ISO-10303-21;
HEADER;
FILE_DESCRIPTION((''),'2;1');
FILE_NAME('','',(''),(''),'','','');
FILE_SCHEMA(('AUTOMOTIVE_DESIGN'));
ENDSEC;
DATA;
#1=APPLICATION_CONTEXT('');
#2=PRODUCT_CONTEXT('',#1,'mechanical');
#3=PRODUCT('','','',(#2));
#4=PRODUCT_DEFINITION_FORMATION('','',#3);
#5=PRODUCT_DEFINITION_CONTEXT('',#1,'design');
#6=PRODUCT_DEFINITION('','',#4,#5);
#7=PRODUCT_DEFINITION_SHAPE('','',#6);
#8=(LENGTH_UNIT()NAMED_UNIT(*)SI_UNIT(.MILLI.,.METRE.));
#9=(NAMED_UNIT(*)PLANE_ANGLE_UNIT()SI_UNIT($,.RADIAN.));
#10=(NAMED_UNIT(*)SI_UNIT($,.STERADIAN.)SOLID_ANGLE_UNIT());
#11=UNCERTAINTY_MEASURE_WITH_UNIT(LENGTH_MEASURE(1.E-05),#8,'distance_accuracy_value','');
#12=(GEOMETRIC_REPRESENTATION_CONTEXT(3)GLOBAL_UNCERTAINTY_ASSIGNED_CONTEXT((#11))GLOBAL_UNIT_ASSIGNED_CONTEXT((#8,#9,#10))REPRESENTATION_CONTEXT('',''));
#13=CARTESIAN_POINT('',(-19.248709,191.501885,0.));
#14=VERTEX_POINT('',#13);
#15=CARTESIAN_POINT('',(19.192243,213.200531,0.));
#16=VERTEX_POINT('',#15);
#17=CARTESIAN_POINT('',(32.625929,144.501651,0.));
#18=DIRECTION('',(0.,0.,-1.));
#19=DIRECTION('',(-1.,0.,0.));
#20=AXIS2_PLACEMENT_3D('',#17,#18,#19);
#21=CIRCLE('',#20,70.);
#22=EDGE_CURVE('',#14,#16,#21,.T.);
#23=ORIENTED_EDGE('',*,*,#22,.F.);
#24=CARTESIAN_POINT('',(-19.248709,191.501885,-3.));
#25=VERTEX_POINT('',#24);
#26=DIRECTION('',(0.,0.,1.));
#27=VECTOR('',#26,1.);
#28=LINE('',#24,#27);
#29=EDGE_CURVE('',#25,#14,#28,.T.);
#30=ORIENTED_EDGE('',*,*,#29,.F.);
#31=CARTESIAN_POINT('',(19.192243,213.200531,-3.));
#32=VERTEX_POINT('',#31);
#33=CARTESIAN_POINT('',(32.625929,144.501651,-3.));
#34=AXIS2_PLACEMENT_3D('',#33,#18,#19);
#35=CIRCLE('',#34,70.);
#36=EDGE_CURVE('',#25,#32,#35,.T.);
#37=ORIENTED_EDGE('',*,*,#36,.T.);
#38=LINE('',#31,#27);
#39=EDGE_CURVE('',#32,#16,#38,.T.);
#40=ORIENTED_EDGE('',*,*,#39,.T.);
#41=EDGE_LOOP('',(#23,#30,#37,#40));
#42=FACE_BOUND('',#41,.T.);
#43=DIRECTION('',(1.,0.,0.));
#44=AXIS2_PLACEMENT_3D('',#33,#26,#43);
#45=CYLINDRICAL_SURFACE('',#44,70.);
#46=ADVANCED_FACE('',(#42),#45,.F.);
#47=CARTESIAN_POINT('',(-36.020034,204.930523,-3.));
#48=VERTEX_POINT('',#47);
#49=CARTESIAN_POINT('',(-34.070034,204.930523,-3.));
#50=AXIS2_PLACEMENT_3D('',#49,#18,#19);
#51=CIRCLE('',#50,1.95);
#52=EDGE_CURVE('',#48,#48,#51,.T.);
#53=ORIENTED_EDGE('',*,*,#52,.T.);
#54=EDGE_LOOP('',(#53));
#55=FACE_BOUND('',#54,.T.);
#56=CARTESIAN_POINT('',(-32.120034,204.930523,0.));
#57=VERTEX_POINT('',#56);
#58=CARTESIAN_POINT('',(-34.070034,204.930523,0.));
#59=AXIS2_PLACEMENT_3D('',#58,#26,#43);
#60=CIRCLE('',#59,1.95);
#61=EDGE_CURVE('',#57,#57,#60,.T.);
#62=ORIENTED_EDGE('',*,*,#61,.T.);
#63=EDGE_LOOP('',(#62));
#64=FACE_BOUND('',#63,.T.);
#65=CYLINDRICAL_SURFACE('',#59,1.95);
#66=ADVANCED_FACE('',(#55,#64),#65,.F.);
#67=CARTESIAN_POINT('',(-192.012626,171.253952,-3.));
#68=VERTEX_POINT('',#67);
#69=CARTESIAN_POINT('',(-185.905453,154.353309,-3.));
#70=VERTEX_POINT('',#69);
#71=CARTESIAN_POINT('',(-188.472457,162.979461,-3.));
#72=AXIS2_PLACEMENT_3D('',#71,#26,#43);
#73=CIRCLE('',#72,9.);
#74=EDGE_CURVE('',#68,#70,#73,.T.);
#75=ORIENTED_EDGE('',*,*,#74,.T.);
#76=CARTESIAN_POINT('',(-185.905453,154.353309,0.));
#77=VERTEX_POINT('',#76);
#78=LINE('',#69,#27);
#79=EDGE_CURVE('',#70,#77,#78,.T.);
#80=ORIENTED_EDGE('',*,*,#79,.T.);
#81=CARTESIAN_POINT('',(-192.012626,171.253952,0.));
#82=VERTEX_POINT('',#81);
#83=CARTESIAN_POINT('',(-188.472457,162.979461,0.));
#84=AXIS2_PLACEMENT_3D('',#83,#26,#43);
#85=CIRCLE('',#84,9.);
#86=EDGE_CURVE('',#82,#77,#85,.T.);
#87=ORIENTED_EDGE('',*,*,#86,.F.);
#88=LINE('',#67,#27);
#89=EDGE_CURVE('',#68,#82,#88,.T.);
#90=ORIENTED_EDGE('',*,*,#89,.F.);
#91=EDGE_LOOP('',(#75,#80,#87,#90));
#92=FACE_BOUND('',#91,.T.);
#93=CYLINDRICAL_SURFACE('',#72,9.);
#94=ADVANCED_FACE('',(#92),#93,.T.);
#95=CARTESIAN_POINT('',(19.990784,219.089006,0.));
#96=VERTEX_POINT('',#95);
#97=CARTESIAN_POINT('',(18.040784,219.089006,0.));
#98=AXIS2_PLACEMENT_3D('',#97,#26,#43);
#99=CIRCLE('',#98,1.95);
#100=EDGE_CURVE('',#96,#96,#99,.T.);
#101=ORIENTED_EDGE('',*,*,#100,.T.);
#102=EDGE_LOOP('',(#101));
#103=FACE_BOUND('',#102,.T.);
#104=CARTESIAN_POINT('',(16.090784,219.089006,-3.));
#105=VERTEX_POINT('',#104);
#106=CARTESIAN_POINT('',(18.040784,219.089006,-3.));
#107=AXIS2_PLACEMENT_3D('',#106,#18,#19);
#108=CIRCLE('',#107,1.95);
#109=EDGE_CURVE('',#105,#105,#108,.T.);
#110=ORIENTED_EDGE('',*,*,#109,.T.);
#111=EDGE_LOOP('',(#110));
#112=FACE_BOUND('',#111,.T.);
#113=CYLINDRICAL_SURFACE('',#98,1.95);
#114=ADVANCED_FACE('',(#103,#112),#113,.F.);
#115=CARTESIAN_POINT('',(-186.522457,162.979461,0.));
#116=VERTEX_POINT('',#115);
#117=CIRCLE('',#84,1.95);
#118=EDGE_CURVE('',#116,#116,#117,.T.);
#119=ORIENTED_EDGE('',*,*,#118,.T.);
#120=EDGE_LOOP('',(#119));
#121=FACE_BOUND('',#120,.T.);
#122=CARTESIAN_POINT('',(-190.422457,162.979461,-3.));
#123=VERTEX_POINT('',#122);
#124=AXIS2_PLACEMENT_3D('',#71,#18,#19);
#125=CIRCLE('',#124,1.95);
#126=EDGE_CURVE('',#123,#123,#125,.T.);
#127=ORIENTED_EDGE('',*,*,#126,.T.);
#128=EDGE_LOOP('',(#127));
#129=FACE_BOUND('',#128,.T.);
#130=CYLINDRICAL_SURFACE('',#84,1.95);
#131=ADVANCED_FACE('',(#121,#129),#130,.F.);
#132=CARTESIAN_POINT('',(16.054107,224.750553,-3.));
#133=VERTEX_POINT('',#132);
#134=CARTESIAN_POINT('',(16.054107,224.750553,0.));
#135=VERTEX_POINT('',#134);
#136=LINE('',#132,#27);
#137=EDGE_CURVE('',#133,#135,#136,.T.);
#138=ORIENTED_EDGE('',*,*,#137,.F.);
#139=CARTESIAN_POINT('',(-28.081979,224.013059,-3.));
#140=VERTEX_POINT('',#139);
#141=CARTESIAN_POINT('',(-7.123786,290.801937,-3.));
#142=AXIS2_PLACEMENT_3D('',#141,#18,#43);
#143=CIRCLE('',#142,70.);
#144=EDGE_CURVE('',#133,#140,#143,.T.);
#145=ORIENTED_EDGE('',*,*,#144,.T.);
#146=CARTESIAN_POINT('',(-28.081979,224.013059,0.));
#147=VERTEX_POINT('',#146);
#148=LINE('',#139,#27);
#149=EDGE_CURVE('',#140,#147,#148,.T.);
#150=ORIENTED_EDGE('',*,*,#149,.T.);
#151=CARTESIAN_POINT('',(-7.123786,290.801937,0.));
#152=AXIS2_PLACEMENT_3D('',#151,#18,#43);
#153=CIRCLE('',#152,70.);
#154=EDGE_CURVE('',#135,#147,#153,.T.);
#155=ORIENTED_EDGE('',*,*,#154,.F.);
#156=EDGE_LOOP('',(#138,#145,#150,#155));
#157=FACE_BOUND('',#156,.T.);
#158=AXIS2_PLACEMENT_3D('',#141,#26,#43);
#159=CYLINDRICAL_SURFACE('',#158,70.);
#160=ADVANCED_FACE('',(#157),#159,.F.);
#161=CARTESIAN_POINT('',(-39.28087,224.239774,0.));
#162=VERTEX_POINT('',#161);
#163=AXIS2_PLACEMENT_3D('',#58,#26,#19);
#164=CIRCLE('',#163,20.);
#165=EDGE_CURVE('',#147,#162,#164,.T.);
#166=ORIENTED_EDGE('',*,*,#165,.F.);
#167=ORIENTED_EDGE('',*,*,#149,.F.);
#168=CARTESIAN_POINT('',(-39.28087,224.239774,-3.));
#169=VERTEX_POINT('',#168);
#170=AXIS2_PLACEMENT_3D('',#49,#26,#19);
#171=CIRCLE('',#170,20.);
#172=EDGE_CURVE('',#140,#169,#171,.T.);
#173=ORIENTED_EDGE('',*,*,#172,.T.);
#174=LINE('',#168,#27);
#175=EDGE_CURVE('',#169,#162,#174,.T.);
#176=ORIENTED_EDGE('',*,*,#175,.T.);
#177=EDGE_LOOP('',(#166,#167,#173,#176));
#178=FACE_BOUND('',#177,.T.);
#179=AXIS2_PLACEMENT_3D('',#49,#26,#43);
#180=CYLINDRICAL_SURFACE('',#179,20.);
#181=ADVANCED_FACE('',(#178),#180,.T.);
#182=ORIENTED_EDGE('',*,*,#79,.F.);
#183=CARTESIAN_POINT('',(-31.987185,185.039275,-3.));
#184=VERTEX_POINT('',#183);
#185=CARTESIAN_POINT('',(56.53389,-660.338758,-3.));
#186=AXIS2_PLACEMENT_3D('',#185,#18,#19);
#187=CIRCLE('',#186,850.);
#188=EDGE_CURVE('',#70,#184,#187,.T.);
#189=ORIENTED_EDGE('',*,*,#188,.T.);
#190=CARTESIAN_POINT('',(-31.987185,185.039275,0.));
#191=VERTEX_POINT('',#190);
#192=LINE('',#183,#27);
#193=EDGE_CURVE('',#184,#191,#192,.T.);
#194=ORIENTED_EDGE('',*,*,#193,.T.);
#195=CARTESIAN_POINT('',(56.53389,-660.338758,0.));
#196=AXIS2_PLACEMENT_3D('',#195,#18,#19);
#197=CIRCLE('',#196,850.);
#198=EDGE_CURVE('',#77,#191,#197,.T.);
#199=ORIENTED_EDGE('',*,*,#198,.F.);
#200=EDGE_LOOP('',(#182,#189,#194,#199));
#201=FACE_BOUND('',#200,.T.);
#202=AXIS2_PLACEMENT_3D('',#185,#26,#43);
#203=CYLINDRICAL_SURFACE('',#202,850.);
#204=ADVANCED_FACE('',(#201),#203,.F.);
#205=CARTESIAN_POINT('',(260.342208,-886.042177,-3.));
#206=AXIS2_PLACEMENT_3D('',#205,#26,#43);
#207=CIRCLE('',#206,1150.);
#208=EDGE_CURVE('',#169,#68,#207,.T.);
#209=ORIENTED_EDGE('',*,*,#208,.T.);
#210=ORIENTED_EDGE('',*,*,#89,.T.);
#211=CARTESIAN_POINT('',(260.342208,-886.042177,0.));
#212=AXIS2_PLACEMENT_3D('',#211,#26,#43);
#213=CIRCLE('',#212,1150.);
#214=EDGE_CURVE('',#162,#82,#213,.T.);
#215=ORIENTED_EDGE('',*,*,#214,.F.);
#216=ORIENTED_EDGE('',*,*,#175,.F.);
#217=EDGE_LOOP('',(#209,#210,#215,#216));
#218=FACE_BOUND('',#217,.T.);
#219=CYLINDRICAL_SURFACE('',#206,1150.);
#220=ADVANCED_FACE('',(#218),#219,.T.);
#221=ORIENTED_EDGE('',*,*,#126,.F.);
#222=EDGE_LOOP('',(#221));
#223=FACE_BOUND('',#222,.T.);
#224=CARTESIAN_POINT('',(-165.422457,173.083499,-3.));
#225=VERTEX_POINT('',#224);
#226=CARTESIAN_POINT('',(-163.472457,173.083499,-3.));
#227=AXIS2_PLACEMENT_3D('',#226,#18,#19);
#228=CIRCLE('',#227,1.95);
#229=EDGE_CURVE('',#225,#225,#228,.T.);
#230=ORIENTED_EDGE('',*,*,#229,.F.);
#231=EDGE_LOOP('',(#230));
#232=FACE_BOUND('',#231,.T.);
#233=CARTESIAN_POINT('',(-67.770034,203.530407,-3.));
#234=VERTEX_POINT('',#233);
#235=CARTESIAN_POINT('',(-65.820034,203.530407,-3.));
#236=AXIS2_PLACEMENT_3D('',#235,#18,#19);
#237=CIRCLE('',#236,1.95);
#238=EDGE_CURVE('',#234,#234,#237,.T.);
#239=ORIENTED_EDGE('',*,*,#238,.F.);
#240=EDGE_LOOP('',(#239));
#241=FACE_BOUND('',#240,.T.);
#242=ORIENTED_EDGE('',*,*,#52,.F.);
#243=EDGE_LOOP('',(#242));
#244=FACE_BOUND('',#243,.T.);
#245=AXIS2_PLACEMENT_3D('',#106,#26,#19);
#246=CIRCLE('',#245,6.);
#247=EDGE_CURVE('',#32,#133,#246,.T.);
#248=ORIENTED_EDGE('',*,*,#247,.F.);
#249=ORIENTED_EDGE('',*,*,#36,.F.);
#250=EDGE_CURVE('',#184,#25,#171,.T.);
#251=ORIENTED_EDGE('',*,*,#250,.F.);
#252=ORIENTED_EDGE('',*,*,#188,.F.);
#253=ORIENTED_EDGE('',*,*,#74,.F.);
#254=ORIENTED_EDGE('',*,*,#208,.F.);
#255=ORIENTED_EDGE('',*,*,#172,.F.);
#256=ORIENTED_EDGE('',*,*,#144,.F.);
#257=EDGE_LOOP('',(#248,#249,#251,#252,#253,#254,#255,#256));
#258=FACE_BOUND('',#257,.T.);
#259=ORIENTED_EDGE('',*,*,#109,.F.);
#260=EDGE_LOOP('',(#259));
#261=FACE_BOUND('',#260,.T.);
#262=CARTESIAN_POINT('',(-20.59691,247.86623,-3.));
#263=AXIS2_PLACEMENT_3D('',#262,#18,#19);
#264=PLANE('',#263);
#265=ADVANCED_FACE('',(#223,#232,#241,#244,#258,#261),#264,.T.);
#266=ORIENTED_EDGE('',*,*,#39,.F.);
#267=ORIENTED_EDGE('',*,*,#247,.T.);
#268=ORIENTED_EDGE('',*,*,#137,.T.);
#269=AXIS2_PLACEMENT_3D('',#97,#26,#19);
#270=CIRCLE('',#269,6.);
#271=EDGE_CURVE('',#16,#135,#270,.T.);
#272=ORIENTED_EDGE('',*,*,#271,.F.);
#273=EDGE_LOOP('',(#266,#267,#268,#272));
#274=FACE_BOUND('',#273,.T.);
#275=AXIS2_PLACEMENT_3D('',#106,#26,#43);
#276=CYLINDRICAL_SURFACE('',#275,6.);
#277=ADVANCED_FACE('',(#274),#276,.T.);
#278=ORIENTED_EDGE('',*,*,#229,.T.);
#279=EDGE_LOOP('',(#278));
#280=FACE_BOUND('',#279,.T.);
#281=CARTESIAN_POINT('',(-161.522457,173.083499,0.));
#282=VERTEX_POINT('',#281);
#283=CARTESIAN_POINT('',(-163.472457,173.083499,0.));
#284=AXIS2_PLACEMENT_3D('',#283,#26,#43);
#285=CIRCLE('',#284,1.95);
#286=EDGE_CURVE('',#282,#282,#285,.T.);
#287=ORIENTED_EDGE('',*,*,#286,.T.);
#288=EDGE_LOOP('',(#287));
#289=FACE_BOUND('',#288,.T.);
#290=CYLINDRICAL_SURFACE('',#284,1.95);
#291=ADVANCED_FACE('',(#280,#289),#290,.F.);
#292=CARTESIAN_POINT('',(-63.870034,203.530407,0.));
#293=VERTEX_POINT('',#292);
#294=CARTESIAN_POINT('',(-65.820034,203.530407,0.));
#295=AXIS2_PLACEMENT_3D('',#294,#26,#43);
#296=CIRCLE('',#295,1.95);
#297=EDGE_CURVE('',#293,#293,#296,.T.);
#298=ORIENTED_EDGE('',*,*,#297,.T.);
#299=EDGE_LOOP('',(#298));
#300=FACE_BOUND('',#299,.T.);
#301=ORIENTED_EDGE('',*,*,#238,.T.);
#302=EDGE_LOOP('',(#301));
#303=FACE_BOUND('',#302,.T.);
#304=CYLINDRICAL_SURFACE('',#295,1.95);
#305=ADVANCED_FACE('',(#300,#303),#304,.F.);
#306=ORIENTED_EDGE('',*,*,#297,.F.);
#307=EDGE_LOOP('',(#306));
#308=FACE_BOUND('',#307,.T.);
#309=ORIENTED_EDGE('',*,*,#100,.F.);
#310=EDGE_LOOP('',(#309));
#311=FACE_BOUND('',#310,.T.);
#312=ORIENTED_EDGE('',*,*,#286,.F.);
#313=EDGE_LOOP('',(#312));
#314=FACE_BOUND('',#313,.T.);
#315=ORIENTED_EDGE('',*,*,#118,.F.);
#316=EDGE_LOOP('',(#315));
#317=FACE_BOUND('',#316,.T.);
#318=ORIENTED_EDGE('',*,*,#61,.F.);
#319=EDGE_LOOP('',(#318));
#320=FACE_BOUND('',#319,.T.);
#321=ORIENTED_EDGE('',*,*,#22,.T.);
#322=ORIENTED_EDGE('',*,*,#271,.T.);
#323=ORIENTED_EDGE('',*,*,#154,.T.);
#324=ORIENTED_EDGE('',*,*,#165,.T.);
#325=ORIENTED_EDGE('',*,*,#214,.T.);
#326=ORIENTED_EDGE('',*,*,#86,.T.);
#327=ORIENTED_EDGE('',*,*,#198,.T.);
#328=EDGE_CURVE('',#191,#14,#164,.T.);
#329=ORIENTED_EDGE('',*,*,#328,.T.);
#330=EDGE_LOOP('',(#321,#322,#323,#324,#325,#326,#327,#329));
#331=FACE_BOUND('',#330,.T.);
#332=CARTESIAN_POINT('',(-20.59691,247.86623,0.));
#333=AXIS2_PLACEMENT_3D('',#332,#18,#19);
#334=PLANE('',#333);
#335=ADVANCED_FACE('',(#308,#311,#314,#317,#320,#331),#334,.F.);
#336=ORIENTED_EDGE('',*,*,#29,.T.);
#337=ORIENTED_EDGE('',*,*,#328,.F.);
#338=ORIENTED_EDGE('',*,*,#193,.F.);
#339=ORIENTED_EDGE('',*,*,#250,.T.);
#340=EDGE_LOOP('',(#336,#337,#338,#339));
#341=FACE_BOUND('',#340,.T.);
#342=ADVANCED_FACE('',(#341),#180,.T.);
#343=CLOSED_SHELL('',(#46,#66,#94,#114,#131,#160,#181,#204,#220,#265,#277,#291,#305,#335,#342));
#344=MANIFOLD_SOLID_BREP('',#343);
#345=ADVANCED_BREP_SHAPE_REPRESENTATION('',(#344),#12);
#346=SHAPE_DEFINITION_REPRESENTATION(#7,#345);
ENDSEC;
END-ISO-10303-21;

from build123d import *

# Parameters (mm, degrees)
BOSS_EXTRUDE1_DEPTH        = 3
M3_5_CLEARANCE_HOLE1_D     = 3.9
M3_5_CLEARANCE_HOLE1_DEPTH = 10
M3_5_CLEARANCE_HOLE1_TIP   = 1.171678207


with BuildPart() as part:
    # Sketch2 → Boss-Extrude1 (new body)
    with BuildSketch(Plane.XY):
        with BuildLine():
            ThreePointArc((-39.28087001, 224.239774099), (-116.578963105, 200.433975785), (-192.012625607, 171.253951952))
            ThreePointArc((-192.012625607, 171.253951952), (-196.936776164, 159.92081589), (-185.905452535, 154.353309203))
            ThreePointArc((-185.905452535, 154.353309203), (-109.656081484, 173.256403098), (-31.987185034, 185.039274932))
            ThreePointArc((-31.987185034, 185.039274932), (-25.021326492, 187.094578874), (-19.248708765, 191.50188464))
            ThreePointArc((-19.248708765, 191.50188464), (-1.783402645, 205.460636468), (19.192242873, 213.200530885))
            ThreePointArc((19.192242873, 213.200530885), (23.830874934, 220.662171124), (16.054107446, 224.750553433))
            ThreePointArc((16.054107446, 224.750553433), (-5.954280946, 220.811707047), (-28.081978855, 224.013059218))
            ThreePointArc((-28.081978855, 224.013059218), (-33.665228727, 224.926425674), (-39.28087001, 224.239774099))
        make_face()
    extrude(amount=-BOSS_EXTRUDE1_DEPTH)

    # M3.5 Clearance Hole1
    with Locations(Plane.XY):
        with Locations((-188.472457343, 162.979460507), (-163.472457343, 173.083498563), (-65.820033869, 203.530407358), (-34.070033869, 204.930522774), (18.040784053, 219.089006289)):
            Hole(M3_5_CLEARANCE_HOLE1_D / 2, depth=M3_5_CLEARANCE_HOLE1_DEPTH)
            with Locations((0, 0, -(M3_5_CLEARANCE_HOLE1_DEPTH + M3_5_CLEARANCE_HOLE1_TIP / 2))):  # 118° drill point
                Cone(0, M3_5_CLEARANCE_HOLE1_D / 2, M3_5_CLEARANCE_HOLE1_TIP, mode=Mode.SUBTRACT)


solid = part.part
